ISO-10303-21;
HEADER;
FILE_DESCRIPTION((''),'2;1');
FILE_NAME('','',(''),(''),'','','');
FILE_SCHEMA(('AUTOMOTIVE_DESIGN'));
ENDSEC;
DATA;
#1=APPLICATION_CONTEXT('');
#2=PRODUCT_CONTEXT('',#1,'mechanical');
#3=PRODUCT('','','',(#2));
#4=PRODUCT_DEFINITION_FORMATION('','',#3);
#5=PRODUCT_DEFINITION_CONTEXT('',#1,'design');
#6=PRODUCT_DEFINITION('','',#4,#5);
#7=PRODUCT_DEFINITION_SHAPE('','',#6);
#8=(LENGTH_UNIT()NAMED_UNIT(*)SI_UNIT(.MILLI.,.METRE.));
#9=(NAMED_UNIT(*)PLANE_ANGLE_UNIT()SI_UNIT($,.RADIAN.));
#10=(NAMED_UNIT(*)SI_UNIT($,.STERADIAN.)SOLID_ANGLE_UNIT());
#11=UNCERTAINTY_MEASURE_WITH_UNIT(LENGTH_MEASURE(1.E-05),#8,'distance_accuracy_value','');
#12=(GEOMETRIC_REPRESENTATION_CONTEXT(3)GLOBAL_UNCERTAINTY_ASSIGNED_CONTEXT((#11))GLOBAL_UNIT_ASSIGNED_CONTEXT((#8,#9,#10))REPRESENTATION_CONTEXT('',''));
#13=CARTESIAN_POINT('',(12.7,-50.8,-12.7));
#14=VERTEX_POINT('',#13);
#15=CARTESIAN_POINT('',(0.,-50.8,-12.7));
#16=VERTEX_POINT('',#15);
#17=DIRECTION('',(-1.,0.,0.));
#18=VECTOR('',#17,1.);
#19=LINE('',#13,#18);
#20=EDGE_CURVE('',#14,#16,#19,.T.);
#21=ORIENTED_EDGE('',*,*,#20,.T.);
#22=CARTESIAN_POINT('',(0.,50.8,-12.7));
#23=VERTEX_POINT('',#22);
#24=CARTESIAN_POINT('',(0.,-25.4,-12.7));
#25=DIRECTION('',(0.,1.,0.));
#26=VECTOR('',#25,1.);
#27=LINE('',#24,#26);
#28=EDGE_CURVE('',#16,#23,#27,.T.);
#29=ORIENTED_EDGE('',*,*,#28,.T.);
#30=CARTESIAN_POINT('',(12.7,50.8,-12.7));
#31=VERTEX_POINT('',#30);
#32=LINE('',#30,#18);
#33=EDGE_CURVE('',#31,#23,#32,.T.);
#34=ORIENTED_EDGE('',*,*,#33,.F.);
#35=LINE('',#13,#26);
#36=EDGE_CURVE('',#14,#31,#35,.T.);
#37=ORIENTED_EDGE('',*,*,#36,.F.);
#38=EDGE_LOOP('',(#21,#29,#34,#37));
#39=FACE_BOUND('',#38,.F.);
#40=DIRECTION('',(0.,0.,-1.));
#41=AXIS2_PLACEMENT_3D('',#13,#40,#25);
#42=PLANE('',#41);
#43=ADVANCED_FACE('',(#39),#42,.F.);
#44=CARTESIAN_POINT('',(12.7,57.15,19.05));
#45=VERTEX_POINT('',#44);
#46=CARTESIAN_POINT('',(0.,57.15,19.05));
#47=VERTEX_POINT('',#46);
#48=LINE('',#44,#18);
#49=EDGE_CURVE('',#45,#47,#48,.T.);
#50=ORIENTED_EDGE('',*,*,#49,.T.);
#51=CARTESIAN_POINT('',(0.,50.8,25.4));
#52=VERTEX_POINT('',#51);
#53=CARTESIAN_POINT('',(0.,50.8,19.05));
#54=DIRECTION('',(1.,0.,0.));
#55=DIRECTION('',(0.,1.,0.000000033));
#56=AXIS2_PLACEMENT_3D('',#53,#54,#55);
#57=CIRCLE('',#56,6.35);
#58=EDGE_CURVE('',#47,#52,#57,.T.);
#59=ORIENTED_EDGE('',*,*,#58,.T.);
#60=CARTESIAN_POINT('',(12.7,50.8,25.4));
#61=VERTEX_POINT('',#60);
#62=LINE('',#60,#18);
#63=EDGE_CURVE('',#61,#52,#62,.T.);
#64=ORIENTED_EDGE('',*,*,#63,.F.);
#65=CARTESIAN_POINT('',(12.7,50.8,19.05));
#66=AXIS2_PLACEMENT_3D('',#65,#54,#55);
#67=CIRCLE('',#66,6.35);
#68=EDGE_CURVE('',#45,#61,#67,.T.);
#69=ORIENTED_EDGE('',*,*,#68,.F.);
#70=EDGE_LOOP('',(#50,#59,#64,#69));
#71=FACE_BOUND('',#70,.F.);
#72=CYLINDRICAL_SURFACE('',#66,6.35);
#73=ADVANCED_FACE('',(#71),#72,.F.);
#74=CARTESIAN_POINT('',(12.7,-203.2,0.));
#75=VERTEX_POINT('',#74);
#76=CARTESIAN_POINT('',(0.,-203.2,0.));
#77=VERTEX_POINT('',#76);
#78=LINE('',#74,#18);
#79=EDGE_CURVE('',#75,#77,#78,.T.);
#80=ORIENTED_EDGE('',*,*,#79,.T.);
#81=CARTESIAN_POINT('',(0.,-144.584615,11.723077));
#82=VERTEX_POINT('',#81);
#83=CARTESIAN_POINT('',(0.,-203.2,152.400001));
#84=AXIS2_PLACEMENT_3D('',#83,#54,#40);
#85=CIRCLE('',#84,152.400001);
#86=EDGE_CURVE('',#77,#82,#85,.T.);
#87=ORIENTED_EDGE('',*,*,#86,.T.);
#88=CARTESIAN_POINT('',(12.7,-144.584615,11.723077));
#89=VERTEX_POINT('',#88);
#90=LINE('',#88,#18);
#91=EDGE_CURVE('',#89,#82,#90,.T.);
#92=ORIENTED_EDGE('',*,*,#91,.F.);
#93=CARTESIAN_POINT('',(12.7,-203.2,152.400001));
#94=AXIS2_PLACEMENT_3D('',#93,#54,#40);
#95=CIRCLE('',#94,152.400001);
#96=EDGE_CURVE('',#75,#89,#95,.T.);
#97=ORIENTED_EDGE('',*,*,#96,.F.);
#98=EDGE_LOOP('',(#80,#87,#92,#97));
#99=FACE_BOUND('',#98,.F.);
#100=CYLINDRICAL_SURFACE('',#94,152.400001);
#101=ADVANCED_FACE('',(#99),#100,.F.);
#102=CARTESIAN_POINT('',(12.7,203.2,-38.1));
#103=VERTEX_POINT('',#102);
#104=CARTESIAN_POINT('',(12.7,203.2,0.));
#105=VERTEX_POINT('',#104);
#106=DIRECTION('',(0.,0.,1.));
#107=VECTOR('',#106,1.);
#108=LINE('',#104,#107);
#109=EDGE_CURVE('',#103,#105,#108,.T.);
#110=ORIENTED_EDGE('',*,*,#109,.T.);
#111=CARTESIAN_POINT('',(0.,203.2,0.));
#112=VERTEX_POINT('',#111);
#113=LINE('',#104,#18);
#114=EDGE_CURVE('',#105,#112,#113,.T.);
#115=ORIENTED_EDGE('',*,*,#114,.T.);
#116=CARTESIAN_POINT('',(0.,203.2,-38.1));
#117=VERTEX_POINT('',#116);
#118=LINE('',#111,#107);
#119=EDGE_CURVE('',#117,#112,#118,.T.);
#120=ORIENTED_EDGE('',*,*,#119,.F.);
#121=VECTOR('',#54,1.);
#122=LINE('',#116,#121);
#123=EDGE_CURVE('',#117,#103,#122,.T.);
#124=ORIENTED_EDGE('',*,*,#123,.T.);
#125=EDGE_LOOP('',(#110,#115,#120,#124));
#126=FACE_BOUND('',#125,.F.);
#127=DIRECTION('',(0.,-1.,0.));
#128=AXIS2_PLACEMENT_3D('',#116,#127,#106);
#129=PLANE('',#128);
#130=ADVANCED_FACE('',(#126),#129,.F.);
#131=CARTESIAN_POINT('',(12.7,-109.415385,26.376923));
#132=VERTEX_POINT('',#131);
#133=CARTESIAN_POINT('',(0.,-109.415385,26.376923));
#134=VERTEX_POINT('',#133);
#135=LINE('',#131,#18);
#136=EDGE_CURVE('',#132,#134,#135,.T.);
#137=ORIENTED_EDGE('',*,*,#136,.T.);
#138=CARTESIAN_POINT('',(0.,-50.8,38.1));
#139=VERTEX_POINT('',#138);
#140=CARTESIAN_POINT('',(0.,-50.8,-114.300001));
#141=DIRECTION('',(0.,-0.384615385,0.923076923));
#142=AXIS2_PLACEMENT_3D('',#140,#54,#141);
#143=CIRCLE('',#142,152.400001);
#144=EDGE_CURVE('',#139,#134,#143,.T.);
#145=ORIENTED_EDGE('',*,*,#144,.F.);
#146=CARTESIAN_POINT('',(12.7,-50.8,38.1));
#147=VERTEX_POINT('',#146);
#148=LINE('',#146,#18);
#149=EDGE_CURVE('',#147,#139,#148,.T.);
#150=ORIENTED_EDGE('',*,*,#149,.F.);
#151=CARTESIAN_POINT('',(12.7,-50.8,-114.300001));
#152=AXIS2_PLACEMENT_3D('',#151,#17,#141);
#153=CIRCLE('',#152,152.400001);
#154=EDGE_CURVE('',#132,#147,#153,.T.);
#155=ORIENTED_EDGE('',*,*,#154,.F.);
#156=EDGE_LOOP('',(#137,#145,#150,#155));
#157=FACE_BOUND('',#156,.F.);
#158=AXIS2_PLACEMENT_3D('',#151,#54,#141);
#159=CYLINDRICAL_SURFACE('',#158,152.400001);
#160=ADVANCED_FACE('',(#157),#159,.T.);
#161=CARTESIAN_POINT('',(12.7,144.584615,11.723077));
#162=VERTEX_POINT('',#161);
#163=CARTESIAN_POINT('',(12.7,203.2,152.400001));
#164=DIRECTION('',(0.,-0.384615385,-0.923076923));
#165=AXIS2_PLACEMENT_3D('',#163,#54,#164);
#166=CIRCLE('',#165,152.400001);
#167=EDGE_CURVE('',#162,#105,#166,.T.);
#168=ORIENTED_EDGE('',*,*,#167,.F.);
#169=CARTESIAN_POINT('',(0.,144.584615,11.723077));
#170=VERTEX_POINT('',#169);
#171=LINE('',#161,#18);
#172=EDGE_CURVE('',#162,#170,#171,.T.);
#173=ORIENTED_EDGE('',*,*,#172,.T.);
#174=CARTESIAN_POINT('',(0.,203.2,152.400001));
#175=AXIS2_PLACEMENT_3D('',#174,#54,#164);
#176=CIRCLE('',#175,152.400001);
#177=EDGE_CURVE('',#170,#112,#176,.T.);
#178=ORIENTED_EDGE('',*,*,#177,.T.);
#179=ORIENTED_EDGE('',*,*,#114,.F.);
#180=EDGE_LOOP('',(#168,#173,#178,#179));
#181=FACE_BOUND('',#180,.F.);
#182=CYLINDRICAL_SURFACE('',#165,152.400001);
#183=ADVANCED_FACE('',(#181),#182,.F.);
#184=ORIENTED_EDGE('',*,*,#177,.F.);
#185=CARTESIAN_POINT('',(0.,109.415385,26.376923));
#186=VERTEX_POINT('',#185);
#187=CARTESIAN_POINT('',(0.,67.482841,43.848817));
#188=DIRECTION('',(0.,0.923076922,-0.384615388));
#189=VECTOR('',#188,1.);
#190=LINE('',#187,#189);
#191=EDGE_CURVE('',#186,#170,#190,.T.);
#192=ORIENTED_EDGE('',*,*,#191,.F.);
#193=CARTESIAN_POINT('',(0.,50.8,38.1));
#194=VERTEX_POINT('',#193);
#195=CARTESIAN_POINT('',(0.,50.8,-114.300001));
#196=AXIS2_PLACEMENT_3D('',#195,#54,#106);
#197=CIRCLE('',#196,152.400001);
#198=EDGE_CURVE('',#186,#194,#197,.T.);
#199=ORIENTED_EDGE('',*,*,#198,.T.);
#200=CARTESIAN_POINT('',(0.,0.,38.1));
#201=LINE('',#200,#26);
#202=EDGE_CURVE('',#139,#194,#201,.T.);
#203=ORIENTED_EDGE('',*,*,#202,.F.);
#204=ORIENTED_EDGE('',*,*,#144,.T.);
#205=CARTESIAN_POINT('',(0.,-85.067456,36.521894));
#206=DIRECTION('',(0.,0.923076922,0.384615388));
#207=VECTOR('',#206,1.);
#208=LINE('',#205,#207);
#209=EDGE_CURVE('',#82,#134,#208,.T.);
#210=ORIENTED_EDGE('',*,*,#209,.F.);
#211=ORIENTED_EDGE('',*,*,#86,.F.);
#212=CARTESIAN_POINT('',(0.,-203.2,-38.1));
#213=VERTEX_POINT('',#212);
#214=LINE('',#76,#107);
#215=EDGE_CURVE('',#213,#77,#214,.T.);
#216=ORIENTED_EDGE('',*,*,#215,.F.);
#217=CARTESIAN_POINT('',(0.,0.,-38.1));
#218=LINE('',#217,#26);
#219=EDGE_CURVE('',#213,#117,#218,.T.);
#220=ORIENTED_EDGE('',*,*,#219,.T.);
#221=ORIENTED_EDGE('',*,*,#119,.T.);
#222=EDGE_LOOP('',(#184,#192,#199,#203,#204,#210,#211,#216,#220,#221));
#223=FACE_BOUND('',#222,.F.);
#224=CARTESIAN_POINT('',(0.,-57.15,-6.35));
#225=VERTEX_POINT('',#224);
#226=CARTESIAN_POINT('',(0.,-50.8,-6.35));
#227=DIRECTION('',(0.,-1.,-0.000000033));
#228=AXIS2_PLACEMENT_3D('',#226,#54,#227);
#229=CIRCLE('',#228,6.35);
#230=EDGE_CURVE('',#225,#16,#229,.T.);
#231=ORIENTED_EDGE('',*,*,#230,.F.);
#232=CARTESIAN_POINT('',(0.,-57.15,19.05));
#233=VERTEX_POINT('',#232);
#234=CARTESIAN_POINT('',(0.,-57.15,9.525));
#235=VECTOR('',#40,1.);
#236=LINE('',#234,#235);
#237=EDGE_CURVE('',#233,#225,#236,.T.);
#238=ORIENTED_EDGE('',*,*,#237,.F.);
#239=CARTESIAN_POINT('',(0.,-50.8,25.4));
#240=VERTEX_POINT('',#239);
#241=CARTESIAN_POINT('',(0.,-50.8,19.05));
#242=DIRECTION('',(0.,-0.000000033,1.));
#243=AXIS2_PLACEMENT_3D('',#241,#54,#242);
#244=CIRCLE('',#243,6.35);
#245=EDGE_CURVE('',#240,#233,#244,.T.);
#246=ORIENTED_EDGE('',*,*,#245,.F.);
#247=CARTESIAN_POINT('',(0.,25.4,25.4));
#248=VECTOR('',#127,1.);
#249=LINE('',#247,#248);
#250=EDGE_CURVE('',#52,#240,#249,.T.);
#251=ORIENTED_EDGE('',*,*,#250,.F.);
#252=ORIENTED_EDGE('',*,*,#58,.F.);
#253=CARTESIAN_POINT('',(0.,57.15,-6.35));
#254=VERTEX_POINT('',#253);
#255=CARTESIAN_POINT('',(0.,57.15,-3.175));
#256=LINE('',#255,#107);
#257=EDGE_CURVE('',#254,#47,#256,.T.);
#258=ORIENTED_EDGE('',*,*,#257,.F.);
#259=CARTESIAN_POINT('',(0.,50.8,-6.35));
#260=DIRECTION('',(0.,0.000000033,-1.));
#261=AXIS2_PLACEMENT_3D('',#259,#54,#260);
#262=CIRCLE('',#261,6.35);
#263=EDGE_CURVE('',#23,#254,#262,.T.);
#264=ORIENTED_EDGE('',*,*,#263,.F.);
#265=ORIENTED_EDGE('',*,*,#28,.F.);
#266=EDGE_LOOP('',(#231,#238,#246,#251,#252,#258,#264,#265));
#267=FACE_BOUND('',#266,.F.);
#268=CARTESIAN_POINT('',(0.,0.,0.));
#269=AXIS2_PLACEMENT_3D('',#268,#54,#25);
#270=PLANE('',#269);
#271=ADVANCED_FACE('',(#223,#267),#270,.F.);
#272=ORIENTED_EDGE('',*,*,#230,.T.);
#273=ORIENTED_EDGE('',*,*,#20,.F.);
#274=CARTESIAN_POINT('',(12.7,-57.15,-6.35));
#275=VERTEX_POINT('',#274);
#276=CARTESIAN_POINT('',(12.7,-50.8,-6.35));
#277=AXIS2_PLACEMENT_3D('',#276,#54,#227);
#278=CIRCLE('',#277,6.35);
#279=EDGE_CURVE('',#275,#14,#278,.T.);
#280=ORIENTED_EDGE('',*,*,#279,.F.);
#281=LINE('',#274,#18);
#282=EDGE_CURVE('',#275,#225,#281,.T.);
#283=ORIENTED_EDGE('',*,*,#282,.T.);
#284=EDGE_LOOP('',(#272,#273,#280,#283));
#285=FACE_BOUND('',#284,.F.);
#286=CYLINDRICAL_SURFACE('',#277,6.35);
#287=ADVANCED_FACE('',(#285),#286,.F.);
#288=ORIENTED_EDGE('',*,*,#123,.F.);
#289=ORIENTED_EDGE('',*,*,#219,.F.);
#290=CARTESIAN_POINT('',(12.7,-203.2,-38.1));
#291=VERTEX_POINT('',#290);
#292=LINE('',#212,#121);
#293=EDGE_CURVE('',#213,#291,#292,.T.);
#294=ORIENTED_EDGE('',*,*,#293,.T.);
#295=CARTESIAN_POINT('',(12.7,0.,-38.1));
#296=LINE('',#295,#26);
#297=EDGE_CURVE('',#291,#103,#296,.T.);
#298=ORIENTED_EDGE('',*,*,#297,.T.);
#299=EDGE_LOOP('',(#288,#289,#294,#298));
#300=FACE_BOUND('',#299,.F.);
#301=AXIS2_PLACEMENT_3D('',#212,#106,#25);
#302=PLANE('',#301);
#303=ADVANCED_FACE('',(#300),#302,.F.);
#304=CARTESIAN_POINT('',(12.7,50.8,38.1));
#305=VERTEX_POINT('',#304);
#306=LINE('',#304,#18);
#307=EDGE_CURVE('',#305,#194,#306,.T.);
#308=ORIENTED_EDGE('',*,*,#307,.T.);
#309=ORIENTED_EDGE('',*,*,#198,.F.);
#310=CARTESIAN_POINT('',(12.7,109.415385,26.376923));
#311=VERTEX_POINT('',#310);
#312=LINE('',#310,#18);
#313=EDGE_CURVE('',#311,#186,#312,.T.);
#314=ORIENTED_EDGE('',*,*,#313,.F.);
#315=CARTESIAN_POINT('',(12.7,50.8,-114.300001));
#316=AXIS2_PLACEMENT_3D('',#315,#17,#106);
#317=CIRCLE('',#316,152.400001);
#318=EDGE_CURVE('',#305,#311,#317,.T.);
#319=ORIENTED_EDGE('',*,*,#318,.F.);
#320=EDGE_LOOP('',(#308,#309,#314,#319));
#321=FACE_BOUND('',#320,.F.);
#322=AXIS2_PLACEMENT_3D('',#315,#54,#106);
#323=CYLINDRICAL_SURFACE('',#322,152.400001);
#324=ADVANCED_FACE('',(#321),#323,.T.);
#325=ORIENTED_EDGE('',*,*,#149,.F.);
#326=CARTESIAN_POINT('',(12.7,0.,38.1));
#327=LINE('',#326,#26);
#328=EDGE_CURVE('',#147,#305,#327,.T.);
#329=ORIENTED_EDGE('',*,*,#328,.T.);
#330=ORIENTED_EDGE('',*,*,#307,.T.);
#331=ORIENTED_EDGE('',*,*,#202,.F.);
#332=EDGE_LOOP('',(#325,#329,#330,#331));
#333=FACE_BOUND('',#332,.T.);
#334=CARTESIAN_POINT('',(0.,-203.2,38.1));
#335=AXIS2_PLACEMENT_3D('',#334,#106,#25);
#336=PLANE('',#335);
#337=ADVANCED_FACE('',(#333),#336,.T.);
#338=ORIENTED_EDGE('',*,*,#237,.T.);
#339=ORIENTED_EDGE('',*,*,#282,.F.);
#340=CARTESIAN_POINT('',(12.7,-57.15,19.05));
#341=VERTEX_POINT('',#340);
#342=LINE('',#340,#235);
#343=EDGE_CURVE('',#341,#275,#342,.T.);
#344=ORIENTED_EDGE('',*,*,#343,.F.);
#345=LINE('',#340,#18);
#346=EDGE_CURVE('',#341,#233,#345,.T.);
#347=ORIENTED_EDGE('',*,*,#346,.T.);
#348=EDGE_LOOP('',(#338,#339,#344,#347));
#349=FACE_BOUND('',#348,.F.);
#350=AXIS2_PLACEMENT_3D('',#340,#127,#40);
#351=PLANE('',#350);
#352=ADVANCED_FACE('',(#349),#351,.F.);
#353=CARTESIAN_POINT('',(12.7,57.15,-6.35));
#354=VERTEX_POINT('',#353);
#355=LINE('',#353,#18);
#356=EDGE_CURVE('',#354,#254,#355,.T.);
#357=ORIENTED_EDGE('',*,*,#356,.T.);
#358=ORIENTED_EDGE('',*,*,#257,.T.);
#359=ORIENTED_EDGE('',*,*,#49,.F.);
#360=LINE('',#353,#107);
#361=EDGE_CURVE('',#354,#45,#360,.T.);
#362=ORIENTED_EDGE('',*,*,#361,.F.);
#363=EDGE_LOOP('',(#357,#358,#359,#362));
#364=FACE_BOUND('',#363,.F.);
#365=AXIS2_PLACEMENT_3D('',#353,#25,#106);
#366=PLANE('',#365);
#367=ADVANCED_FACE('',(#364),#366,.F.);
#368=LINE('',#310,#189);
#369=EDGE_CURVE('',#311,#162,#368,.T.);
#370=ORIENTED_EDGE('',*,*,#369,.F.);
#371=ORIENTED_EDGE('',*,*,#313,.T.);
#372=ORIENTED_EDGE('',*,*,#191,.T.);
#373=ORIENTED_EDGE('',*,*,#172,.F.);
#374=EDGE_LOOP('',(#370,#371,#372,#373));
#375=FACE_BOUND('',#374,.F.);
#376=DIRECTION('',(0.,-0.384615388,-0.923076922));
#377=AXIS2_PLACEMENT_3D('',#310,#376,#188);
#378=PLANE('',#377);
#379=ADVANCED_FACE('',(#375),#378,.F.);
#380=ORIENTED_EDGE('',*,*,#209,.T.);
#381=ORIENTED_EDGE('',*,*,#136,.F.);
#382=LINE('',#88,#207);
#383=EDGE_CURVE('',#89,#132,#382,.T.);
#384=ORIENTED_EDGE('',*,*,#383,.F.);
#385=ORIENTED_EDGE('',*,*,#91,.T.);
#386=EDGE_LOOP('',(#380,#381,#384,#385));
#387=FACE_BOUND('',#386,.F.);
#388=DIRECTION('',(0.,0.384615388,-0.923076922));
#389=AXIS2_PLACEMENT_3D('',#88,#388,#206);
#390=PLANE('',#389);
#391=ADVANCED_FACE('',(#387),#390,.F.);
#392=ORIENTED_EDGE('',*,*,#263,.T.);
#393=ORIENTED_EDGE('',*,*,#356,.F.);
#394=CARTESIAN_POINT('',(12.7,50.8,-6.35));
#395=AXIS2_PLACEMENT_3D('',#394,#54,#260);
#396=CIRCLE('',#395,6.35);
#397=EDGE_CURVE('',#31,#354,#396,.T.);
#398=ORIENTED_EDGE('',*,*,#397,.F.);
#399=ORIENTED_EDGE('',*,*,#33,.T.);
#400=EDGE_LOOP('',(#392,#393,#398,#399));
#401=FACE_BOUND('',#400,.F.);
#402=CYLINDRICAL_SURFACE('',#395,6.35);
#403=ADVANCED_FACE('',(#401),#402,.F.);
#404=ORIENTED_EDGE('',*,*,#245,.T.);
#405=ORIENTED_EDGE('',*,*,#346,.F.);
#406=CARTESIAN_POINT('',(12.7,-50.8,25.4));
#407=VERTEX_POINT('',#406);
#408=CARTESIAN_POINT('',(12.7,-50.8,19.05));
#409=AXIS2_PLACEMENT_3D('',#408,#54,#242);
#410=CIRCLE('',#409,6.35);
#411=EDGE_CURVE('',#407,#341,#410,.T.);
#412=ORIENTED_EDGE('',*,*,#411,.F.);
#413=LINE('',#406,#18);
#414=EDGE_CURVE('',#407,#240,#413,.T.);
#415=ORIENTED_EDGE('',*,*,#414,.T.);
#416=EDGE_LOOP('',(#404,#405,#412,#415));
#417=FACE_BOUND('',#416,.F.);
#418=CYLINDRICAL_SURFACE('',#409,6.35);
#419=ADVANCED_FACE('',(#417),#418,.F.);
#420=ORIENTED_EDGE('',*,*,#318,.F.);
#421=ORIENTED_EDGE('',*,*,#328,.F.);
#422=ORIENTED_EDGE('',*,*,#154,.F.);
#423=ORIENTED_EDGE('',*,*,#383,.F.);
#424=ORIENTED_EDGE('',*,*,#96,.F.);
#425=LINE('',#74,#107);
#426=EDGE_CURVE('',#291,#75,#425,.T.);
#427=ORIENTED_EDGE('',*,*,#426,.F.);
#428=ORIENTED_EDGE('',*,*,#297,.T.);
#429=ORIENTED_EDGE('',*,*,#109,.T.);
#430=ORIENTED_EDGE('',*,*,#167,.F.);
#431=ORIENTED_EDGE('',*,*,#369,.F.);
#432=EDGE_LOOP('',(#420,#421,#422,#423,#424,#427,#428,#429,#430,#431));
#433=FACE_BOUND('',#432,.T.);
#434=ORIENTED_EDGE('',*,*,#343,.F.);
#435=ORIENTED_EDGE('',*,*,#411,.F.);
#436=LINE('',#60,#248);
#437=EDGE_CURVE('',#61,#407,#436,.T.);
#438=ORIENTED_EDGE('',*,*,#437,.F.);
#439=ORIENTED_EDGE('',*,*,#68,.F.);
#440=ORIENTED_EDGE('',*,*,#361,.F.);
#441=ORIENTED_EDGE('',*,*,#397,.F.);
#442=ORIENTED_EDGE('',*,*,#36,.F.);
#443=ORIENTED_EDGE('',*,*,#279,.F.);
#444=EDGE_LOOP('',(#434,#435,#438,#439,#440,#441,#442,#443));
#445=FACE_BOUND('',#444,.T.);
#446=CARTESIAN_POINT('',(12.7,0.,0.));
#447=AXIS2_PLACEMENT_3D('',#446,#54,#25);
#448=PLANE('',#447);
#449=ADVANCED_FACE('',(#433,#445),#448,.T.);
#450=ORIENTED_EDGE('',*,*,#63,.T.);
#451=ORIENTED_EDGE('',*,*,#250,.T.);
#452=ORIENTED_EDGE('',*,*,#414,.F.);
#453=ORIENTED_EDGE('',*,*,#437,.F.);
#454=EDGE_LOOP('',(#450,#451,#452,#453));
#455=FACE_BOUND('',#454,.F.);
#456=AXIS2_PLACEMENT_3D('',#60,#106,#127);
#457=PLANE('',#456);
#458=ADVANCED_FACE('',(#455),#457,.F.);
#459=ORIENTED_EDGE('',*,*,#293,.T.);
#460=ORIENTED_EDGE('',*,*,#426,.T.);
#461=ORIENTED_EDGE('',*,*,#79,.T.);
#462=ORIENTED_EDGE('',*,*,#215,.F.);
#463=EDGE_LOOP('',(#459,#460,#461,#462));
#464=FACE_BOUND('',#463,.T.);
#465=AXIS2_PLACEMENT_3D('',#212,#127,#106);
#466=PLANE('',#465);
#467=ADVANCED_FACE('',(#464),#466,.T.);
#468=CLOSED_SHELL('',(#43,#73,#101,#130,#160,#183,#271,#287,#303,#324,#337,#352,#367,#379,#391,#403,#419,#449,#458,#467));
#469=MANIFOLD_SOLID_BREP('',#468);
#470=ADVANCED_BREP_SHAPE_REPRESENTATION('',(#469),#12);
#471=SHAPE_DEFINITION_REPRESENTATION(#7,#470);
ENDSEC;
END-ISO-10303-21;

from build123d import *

# Parameters (mm, degrees)
F0_W     = 406.4
F0_H     = 76.2
F1_DEPTH = 12.7
F3_DEPTH = 62.484
F5_DEPTH = 38.608


with BuildPart() as f1:
    # F0 (on Right) → F1 (new body)
    with BuildSketch(Plane.YZ):
        Rectangle(F0_W, F0_H)
    extrude(amount=F1_DEPTH)

    # F2 (on face) → F3 (cut)
    with BuildSketch(Plane.YZ.offset(12.7)):
        with BuildLine():
            Line((50.8, 25.4), (-50.8, 25.4))
            ThreePointArc((-50.8, 25.4), (-55.290128, 23.540128), (-57.15, 19.05))
            Line((-57.15, 19.05), (-57.15, -6.35))
            ThreePointArc((-57.15, -6.35), (-55.290128, -10.840128), (-50.8, -12.7))
            Line((-50.8, -12.7), (50.8, -12.7))
            ThreePointArc((50.8, -12.7), (55.290128, -10.840128), (57.15, -6.35))
            Line((57.15, -6.35), (57.15, 19.05))
            ThreePointArc((57.15, 19.05), (55.290128, 23.540128), (50.8, 25.4))
        make_face()
    extrude(amount=-F3_DEPTH, mode=Mode.SUBTRACT)

    # F4 (on face) → F5 (cut)
    with BuildSketch(Plane.YZ.offset(12.7)):
        with BuildLine():
            Line((-203.2, 38.1), (-203.2, 0))
            ThreePointArc((-203.2, 0), (-173.311901, 2.959505), (-144.584615, 11.723077))
            Line((-144.584615, 11.723077), (-109.415385, 26.376923))
            ThreePointArc((-109.415385, 26.376923), (-80.688099, 35.140495), (-50.8, 38.1))
            Line((-50.8, 38.1), (-203.2, 38.1))
        make_face()
        with BuildLine():
            Line((109.415385, 26.376923), (144.584615, 11.723077))
            ThreePointArc((144.584615, 11.723077), (173.311901, 2.959505), (203.2, 0))
            Line((203.2, 0), (203.2, 38.1))
            Line((203.2, 38.1), (50.8, 38.1))
            ThreePointArc((50.8, 38.1), (80.688099, 35.140495), (109.415385, 26.376923))
        make_face()
    extrude(amount=-F5_DEPTH, mode=Mode.SUBTRACT)


solid = f1.part
